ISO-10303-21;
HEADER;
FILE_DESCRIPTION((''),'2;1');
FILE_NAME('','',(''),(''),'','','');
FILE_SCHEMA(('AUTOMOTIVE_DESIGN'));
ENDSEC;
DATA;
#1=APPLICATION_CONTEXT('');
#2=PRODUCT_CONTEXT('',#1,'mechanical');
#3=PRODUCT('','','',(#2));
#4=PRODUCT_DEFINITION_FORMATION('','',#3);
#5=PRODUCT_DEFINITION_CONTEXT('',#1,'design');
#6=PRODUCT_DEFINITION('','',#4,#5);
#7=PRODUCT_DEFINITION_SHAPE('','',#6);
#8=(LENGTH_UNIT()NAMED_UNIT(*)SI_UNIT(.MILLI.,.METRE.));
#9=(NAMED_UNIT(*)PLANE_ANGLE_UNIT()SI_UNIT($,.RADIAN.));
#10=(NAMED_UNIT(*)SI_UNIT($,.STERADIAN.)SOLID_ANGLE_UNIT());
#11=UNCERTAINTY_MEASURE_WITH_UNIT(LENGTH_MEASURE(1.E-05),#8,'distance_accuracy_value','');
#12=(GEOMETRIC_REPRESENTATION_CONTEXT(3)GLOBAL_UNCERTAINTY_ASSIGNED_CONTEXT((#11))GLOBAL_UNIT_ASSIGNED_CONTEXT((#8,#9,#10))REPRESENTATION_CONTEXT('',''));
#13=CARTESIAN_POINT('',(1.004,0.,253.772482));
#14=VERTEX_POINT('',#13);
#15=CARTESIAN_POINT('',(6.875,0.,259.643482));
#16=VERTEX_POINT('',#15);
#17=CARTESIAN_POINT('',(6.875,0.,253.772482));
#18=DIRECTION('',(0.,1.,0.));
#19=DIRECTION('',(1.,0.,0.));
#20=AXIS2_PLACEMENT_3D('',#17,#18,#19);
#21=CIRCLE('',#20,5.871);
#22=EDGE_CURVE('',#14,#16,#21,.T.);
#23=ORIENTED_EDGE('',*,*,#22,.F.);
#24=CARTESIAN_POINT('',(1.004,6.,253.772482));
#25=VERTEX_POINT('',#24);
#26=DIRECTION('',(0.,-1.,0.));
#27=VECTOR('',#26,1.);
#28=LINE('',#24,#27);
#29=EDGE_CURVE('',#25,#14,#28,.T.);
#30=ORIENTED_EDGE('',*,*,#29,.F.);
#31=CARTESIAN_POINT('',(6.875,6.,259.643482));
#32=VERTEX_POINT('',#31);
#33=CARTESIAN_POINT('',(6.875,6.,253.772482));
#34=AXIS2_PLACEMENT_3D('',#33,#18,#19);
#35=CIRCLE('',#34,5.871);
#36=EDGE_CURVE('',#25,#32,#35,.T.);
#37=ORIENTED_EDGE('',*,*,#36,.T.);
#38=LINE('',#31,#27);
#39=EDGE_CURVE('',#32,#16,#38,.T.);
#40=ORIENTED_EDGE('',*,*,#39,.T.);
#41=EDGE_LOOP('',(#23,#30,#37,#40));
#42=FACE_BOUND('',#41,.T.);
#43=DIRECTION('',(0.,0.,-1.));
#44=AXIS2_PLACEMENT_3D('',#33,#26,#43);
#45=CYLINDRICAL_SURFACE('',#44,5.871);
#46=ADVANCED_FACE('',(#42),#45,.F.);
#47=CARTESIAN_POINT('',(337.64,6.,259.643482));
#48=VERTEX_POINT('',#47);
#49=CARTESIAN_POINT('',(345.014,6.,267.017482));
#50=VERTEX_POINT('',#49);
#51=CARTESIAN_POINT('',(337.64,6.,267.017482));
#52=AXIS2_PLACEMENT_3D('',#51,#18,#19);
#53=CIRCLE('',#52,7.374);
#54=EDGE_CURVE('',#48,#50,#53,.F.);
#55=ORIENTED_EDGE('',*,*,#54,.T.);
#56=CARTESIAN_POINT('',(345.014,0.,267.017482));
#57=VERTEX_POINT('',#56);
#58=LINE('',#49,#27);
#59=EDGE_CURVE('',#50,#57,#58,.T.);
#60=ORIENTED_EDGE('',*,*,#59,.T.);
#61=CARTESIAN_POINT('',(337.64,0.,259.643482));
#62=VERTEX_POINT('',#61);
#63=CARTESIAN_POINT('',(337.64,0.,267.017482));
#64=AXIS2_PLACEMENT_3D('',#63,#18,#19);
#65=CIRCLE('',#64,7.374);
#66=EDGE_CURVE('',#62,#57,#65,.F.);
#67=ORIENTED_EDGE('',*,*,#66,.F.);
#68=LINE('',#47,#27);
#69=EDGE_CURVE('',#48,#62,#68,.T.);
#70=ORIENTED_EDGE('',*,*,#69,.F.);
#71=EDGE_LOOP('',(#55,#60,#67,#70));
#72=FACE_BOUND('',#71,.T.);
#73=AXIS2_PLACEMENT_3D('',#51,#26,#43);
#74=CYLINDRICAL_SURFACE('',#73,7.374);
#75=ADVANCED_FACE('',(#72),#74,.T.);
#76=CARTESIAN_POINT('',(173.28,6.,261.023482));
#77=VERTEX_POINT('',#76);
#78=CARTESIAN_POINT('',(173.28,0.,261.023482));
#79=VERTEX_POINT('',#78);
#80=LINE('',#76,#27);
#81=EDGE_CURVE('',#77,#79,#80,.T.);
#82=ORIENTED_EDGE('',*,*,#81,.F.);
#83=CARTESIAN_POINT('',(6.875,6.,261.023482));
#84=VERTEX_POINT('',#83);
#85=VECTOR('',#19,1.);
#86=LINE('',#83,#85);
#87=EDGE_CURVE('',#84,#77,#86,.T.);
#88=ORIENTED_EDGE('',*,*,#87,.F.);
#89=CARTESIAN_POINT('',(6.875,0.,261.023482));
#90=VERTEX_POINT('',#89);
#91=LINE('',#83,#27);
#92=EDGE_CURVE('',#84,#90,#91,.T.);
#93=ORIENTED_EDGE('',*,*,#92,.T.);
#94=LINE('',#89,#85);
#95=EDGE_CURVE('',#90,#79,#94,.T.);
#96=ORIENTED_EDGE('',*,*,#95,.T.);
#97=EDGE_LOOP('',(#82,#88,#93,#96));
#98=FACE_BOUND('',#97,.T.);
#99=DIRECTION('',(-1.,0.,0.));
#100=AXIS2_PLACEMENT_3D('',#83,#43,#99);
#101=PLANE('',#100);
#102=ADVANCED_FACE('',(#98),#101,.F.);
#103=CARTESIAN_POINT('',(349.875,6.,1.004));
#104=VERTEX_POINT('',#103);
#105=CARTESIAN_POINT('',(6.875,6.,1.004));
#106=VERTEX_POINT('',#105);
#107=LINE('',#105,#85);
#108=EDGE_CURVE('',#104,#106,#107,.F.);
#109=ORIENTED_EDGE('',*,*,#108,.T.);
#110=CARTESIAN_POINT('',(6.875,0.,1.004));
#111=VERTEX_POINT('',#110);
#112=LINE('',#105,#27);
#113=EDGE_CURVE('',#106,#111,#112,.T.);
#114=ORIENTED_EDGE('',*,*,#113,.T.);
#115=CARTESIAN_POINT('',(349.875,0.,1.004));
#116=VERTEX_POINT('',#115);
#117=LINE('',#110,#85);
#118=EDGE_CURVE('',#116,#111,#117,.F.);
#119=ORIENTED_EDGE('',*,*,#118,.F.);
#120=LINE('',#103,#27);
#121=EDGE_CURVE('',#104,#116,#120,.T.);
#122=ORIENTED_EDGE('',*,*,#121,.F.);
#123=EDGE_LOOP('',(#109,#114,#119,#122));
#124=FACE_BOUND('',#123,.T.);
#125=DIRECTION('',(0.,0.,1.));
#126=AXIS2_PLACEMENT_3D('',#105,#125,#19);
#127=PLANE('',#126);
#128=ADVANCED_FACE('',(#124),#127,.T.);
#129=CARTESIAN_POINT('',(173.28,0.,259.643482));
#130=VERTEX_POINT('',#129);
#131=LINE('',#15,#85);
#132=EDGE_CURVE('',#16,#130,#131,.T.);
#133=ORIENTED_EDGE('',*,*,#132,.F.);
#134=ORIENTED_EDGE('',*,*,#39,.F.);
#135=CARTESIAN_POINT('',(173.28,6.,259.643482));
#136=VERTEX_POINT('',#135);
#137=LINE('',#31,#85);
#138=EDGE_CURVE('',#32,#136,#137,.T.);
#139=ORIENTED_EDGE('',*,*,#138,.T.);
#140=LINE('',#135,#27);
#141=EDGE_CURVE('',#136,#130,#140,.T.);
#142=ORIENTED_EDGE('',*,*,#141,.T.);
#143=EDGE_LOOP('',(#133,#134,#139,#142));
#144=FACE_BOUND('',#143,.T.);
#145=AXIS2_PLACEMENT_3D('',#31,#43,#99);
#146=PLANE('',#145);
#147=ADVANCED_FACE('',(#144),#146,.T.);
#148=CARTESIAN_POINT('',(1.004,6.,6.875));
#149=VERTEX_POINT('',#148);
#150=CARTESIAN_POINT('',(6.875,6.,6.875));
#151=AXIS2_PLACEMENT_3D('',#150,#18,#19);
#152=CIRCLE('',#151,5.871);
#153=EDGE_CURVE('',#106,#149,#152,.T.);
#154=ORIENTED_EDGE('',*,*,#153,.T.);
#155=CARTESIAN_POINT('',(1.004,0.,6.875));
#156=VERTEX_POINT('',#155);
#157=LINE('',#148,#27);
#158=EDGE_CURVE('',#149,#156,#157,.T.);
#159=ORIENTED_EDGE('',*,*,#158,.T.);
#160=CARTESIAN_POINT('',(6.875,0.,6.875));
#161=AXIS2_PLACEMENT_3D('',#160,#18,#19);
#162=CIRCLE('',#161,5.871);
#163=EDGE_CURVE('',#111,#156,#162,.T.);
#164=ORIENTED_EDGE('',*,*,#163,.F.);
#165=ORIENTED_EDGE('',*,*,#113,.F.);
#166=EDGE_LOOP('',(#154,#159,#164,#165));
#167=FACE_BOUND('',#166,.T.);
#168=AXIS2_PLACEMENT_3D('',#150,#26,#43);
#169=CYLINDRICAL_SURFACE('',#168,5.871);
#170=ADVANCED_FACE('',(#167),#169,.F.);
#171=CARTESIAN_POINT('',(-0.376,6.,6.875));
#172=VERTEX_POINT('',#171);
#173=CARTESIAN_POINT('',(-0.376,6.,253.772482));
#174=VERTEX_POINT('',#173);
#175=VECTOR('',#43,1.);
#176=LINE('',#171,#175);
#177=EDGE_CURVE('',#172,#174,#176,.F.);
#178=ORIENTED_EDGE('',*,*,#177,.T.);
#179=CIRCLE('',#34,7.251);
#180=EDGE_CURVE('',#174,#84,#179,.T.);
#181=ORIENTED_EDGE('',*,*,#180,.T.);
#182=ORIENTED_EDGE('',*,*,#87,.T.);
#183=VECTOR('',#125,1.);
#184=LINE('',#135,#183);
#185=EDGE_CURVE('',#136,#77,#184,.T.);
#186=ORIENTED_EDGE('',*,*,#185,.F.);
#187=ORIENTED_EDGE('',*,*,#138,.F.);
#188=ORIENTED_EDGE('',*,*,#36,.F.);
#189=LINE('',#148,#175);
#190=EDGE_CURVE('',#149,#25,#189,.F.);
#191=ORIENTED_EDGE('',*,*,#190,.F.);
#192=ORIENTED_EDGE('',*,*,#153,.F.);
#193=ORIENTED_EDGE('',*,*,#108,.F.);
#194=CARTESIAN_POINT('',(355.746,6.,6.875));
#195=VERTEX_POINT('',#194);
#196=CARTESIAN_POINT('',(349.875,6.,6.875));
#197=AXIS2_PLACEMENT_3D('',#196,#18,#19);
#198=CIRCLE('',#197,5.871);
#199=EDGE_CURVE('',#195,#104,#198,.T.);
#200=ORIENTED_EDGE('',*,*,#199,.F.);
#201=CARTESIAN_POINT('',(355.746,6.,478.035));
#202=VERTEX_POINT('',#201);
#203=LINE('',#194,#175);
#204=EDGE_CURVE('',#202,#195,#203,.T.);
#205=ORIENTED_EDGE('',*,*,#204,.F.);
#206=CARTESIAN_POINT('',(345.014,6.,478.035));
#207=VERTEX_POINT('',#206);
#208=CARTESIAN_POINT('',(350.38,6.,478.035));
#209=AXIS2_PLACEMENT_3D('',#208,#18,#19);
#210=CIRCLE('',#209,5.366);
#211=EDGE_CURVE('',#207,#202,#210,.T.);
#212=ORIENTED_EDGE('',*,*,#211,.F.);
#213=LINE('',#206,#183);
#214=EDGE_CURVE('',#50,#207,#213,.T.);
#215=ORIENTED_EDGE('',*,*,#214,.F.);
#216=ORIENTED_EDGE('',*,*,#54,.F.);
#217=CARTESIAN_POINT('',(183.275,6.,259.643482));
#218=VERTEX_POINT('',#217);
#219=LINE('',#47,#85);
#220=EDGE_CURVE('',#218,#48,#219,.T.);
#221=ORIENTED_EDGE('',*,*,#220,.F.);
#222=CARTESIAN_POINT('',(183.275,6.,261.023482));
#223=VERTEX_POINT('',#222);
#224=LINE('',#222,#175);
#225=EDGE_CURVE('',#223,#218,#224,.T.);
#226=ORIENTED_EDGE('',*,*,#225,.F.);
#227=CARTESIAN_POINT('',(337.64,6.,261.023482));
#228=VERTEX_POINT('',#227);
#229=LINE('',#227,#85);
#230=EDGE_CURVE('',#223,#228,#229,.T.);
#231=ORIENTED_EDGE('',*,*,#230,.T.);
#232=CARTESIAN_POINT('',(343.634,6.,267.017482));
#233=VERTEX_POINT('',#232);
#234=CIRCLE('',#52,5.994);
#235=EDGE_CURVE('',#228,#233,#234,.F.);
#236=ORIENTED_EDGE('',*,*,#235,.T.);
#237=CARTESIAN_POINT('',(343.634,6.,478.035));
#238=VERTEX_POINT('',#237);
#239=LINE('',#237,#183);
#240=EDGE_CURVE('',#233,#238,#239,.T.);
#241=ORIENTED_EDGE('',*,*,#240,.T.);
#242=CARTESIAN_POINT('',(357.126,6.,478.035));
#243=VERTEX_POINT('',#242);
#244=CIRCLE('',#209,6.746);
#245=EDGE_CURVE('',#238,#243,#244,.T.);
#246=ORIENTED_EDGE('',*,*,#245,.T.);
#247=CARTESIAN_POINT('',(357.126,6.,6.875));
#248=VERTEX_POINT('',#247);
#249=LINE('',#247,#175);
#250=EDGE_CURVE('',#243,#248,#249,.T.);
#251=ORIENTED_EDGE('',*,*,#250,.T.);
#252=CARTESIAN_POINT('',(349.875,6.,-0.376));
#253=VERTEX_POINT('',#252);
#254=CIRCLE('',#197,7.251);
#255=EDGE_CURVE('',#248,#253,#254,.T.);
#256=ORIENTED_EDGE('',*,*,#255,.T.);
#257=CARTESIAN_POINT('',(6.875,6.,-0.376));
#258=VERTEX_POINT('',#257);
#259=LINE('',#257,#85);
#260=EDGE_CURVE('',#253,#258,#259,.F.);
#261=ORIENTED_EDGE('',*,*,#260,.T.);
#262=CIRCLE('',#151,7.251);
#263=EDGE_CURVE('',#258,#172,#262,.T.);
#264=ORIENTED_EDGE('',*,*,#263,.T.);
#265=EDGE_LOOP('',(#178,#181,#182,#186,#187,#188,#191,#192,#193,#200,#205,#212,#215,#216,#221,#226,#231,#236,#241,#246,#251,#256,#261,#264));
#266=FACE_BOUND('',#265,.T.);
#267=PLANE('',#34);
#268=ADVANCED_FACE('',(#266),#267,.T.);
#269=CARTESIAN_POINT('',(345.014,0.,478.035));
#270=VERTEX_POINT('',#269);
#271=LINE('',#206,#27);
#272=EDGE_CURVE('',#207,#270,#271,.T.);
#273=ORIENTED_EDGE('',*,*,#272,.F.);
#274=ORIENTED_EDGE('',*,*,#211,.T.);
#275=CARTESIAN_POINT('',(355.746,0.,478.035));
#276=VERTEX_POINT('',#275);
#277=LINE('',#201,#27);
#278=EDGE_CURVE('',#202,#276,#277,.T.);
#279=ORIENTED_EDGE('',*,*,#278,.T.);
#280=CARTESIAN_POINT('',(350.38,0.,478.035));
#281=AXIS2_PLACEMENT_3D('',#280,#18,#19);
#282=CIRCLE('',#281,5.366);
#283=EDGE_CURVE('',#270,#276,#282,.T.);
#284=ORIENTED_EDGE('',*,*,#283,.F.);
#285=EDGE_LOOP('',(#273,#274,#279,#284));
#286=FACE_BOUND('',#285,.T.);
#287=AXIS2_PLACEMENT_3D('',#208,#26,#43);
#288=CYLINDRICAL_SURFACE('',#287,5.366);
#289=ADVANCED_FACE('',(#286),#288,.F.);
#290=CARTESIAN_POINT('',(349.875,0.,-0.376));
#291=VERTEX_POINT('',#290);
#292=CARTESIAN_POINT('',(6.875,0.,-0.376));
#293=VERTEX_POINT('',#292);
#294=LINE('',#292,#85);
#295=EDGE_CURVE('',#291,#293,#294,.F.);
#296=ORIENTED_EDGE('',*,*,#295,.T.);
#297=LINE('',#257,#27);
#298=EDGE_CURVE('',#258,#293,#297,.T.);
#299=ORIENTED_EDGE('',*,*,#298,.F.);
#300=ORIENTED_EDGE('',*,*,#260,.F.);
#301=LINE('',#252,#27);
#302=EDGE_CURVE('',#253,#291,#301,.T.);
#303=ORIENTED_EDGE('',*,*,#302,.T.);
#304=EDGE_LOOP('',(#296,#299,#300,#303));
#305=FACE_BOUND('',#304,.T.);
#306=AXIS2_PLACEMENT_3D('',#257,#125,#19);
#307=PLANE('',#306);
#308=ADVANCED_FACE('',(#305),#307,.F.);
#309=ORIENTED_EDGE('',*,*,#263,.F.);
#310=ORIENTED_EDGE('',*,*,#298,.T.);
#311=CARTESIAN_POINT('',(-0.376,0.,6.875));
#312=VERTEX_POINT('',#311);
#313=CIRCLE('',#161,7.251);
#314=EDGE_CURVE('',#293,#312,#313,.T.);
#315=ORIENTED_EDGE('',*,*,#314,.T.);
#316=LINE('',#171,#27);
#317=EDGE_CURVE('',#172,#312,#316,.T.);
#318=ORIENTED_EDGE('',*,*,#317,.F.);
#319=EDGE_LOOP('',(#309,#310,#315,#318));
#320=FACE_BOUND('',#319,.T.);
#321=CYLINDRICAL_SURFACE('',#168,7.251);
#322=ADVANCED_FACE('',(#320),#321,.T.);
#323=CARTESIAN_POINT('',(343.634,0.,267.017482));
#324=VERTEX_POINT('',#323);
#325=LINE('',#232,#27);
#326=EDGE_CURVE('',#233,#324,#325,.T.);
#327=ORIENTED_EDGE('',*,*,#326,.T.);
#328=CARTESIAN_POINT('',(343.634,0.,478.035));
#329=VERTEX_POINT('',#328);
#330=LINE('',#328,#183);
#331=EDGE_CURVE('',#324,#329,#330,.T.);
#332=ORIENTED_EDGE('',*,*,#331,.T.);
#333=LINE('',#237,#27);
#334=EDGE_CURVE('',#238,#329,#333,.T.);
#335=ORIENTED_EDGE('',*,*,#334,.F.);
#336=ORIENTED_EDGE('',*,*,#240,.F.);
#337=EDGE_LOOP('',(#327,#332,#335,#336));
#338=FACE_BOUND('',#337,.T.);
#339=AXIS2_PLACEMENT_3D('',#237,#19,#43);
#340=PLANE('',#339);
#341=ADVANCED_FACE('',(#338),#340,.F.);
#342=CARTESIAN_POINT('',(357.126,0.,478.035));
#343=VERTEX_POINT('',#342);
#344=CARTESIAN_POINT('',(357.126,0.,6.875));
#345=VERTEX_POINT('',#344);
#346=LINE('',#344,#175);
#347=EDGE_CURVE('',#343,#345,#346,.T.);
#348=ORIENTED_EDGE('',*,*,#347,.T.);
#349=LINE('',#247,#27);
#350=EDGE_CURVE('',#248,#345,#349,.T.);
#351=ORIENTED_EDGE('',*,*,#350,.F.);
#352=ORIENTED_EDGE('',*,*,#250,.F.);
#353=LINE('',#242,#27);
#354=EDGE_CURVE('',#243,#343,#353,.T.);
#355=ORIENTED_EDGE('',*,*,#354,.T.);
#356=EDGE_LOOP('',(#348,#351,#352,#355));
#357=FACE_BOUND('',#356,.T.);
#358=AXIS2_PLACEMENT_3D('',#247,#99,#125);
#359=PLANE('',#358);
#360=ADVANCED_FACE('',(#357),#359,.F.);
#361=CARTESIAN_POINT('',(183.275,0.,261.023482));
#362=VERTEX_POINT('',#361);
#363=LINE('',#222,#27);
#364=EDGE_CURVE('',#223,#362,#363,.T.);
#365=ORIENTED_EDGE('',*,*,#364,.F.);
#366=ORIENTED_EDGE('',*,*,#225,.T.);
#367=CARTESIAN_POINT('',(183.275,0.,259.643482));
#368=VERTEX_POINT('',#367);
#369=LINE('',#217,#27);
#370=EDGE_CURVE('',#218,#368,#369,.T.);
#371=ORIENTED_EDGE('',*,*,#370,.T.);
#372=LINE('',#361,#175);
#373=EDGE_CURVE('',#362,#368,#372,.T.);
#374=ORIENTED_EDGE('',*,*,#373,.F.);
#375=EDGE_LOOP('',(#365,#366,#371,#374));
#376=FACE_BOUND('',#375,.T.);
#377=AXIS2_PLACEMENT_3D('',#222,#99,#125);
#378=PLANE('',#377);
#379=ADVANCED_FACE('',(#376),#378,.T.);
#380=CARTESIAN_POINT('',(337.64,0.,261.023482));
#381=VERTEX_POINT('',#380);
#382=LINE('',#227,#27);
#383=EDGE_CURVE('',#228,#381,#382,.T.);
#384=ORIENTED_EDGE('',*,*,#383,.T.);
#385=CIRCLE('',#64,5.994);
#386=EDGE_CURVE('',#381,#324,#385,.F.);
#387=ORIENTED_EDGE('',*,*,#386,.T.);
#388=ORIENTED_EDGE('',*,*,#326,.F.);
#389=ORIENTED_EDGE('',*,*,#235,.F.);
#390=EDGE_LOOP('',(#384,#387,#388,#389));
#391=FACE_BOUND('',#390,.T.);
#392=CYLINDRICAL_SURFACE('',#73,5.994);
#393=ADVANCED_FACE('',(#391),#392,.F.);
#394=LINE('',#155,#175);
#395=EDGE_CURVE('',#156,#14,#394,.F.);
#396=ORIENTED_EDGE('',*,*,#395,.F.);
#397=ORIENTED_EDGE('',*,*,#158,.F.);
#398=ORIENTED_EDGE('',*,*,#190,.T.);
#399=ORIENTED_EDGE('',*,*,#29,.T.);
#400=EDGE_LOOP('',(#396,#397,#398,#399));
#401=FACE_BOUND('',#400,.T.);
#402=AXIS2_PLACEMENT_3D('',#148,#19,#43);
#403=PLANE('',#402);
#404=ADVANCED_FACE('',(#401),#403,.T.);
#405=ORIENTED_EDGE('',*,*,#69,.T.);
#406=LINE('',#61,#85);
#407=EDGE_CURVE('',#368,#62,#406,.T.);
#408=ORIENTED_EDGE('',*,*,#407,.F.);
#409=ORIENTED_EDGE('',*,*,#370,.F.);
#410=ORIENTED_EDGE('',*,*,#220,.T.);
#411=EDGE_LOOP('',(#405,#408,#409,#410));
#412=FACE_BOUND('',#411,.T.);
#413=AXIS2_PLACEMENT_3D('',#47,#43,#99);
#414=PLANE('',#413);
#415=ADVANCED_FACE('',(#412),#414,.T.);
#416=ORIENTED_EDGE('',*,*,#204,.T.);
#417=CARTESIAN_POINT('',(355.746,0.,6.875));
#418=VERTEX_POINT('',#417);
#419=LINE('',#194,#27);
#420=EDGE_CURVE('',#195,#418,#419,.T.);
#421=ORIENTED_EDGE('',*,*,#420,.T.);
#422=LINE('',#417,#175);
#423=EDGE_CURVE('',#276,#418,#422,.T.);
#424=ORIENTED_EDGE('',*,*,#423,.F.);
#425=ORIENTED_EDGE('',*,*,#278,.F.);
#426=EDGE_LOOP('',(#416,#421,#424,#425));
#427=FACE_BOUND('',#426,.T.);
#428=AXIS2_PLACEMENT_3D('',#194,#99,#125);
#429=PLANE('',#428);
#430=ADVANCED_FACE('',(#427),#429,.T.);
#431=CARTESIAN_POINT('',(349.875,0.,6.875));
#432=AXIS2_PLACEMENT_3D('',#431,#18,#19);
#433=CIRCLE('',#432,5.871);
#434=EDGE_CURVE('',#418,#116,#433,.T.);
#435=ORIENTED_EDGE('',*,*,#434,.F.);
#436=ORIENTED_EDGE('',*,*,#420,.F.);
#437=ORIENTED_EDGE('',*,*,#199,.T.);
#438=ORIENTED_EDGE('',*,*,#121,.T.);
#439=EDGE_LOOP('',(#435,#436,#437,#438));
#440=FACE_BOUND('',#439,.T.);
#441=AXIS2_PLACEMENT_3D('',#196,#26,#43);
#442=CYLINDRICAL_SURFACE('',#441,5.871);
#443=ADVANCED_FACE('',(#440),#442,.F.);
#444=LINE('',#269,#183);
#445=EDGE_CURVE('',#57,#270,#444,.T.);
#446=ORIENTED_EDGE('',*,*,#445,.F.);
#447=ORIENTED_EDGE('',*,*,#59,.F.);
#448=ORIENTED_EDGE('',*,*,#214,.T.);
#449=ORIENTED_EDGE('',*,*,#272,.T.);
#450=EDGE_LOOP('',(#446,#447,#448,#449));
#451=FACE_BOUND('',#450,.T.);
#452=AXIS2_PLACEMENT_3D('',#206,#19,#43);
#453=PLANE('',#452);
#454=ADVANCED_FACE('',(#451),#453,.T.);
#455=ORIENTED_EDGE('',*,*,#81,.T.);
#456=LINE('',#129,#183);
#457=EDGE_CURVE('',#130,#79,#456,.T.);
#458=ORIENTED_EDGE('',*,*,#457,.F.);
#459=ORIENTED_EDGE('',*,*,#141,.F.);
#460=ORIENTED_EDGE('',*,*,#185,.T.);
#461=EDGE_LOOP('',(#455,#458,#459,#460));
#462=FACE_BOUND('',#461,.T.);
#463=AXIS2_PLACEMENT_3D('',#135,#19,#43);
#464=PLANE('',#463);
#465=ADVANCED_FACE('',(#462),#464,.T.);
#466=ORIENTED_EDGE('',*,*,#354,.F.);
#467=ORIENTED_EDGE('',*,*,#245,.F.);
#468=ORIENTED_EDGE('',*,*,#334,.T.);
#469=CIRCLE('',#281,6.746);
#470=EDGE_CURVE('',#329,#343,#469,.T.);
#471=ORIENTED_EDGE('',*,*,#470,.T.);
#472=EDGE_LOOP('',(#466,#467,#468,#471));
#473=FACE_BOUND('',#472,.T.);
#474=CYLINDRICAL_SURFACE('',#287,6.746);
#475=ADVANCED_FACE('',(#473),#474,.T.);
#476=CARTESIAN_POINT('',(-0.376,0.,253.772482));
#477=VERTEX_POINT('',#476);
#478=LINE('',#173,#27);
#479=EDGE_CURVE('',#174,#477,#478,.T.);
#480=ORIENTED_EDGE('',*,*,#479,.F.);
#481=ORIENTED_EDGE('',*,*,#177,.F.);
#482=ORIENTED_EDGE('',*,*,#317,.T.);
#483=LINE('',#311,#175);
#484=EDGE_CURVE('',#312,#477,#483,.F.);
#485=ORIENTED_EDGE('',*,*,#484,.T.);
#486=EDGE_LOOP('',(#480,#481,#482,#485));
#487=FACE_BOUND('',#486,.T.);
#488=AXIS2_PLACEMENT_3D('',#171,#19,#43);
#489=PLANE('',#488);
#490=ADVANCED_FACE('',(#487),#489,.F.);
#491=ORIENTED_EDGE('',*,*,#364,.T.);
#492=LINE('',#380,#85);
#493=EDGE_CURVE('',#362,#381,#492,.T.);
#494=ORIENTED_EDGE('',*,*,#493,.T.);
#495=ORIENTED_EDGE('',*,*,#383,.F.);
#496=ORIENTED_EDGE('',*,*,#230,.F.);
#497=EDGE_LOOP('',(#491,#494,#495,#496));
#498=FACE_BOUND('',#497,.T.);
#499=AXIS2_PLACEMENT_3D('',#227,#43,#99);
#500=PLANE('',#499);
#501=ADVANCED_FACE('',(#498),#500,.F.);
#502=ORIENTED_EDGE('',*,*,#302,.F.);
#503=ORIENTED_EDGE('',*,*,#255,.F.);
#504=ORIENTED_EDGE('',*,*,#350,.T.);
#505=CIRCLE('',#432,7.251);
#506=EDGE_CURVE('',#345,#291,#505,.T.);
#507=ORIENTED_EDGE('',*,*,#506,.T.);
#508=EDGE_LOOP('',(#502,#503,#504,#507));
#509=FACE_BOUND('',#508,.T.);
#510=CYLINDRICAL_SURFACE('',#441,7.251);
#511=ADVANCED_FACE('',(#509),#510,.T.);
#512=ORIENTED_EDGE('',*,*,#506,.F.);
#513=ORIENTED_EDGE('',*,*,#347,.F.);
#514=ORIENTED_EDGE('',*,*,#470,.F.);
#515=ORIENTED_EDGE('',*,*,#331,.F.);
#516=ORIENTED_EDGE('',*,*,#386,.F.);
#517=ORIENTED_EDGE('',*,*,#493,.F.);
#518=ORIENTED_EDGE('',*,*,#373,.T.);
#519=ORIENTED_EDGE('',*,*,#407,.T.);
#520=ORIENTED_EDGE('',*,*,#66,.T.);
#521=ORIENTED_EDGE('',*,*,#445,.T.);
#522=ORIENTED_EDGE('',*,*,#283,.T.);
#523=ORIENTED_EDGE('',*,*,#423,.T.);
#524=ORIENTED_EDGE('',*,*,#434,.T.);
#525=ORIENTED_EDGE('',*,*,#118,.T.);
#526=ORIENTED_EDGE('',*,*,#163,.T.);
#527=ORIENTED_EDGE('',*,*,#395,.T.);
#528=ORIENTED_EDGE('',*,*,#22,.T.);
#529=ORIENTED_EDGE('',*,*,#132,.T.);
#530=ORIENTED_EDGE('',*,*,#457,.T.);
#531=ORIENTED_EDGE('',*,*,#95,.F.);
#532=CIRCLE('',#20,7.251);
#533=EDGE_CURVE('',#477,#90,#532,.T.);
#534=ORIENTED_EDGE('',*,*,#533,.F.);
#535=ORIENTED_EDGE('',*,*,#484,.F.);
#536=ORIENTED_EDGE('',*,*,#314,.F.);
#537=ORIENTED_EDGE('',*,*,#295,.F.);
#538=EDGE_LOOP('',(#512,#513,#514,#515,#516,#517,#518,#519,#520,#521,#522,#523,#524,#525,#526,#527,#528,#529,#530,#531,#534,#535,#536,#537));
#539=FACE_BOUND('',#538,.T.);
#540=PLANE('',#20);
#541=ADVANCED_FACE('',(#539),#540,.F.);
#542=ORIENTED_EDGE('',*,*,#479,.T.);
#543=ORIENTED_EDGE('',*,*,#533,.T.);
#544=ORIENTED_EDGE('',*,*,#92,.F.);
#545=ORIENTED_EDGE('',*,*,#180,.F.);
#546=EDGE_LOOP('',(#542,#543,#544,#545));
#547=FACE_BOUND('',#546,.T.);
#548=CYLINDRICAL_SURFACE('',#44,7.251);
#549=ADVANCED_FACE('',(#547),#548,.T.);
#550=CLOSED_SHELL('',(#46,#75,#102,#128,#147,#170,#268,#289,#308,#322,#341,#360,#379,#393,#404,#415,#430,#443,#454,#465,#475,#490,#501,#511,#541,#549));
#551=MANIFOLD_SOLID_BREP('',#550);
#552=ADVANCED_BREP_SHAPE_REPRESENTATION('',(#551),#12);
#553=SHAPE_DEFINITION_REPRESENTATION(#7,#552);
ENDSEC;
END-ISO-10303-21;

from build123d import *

# Parameters (mm, degrees)
EXTRUDE_THIN1_DEPTH = 6


with BuildPart() as part:
    # Sketch1 → Extrude-Thin1 (new body)
    with BuildSketch(Plane(origin=(0, 0, 0), x_dir=(1, 0, 0), z_dir=(0, 1, 0))):
        with BuildLine():
            Line((173.28, -259.643481844), (6.875, -259.643481844))
            ThreePointArc((6.875, -259.643481844), (2.723576088, -257.923905757), (1.004, -253.772481844))
            Line((1.004, -253.772481844), (1.004, -6.875))
            ThreePointArc((1.004, -6.875), (2.723576088, -2.723576088), (6.875, -1.004))
            Line((6.875, -1.004), (349.875, -1.004))
            ThreePointArc((349.875, -1.004), (354.026423912, -2.723576088), (355.746, -6.875))
            Line((355.746, -6.875), (355.746, -478.035))
            ThreePointArc((355.746, -478.035), (350.38, -483.401), (345.014, -478.035))
            Line((345.014, -478.035), (345.014, -267.017481844))
            ThreePointArc((345.014, -267.017481844), (342.854205404, -261.80327644), (337.64, -259.643481844))
            Line((337.64, -259.643481844), (183.275, -259.643481844))
            Line((183.275, -259.643481844), (183.275, -261.023481844))
            Line((183.275, -261.023481844), (337.64, -261.023481844))
            ThreePointArc((337.64, -261.023481844), (341.878398046, -262.779083798), (343.634, -267.017481844))
            Line((343.634, -267.017481844), (343.634, -478.035))
            ThreePointArc((343.634, -478.035), (350.38, -484.781), (357.126, -478.035))
            Line((357.126, -478.035), (357.126, -6.875))
            ThreePointArc((357.126, -6.875), (355.00223127, -1.74776873), (349.875, 0.376))
            Line((349.875, 0.376), (6.875, 0.376))
            ThreePointArc((6.875, 0.376), (1.74776873, -1.74776873), (-0.376, -6.875))
            Line((-0.376, -6.875), (-0.376, -253.772481844))
            ThreePointArc((-0.376, -253.772481844), (1.74776873, -258.899713115), (6.875, -261.023481844))
            Line((6.875, -261.023481844), (173.28, -261.023481844))
            Line((173.28, -261.023481844), (173.28, -259.643481844))
        make_face()
    extrude(amount=EXTRUDE_THIN1_DEPTH)


solid = part.part
